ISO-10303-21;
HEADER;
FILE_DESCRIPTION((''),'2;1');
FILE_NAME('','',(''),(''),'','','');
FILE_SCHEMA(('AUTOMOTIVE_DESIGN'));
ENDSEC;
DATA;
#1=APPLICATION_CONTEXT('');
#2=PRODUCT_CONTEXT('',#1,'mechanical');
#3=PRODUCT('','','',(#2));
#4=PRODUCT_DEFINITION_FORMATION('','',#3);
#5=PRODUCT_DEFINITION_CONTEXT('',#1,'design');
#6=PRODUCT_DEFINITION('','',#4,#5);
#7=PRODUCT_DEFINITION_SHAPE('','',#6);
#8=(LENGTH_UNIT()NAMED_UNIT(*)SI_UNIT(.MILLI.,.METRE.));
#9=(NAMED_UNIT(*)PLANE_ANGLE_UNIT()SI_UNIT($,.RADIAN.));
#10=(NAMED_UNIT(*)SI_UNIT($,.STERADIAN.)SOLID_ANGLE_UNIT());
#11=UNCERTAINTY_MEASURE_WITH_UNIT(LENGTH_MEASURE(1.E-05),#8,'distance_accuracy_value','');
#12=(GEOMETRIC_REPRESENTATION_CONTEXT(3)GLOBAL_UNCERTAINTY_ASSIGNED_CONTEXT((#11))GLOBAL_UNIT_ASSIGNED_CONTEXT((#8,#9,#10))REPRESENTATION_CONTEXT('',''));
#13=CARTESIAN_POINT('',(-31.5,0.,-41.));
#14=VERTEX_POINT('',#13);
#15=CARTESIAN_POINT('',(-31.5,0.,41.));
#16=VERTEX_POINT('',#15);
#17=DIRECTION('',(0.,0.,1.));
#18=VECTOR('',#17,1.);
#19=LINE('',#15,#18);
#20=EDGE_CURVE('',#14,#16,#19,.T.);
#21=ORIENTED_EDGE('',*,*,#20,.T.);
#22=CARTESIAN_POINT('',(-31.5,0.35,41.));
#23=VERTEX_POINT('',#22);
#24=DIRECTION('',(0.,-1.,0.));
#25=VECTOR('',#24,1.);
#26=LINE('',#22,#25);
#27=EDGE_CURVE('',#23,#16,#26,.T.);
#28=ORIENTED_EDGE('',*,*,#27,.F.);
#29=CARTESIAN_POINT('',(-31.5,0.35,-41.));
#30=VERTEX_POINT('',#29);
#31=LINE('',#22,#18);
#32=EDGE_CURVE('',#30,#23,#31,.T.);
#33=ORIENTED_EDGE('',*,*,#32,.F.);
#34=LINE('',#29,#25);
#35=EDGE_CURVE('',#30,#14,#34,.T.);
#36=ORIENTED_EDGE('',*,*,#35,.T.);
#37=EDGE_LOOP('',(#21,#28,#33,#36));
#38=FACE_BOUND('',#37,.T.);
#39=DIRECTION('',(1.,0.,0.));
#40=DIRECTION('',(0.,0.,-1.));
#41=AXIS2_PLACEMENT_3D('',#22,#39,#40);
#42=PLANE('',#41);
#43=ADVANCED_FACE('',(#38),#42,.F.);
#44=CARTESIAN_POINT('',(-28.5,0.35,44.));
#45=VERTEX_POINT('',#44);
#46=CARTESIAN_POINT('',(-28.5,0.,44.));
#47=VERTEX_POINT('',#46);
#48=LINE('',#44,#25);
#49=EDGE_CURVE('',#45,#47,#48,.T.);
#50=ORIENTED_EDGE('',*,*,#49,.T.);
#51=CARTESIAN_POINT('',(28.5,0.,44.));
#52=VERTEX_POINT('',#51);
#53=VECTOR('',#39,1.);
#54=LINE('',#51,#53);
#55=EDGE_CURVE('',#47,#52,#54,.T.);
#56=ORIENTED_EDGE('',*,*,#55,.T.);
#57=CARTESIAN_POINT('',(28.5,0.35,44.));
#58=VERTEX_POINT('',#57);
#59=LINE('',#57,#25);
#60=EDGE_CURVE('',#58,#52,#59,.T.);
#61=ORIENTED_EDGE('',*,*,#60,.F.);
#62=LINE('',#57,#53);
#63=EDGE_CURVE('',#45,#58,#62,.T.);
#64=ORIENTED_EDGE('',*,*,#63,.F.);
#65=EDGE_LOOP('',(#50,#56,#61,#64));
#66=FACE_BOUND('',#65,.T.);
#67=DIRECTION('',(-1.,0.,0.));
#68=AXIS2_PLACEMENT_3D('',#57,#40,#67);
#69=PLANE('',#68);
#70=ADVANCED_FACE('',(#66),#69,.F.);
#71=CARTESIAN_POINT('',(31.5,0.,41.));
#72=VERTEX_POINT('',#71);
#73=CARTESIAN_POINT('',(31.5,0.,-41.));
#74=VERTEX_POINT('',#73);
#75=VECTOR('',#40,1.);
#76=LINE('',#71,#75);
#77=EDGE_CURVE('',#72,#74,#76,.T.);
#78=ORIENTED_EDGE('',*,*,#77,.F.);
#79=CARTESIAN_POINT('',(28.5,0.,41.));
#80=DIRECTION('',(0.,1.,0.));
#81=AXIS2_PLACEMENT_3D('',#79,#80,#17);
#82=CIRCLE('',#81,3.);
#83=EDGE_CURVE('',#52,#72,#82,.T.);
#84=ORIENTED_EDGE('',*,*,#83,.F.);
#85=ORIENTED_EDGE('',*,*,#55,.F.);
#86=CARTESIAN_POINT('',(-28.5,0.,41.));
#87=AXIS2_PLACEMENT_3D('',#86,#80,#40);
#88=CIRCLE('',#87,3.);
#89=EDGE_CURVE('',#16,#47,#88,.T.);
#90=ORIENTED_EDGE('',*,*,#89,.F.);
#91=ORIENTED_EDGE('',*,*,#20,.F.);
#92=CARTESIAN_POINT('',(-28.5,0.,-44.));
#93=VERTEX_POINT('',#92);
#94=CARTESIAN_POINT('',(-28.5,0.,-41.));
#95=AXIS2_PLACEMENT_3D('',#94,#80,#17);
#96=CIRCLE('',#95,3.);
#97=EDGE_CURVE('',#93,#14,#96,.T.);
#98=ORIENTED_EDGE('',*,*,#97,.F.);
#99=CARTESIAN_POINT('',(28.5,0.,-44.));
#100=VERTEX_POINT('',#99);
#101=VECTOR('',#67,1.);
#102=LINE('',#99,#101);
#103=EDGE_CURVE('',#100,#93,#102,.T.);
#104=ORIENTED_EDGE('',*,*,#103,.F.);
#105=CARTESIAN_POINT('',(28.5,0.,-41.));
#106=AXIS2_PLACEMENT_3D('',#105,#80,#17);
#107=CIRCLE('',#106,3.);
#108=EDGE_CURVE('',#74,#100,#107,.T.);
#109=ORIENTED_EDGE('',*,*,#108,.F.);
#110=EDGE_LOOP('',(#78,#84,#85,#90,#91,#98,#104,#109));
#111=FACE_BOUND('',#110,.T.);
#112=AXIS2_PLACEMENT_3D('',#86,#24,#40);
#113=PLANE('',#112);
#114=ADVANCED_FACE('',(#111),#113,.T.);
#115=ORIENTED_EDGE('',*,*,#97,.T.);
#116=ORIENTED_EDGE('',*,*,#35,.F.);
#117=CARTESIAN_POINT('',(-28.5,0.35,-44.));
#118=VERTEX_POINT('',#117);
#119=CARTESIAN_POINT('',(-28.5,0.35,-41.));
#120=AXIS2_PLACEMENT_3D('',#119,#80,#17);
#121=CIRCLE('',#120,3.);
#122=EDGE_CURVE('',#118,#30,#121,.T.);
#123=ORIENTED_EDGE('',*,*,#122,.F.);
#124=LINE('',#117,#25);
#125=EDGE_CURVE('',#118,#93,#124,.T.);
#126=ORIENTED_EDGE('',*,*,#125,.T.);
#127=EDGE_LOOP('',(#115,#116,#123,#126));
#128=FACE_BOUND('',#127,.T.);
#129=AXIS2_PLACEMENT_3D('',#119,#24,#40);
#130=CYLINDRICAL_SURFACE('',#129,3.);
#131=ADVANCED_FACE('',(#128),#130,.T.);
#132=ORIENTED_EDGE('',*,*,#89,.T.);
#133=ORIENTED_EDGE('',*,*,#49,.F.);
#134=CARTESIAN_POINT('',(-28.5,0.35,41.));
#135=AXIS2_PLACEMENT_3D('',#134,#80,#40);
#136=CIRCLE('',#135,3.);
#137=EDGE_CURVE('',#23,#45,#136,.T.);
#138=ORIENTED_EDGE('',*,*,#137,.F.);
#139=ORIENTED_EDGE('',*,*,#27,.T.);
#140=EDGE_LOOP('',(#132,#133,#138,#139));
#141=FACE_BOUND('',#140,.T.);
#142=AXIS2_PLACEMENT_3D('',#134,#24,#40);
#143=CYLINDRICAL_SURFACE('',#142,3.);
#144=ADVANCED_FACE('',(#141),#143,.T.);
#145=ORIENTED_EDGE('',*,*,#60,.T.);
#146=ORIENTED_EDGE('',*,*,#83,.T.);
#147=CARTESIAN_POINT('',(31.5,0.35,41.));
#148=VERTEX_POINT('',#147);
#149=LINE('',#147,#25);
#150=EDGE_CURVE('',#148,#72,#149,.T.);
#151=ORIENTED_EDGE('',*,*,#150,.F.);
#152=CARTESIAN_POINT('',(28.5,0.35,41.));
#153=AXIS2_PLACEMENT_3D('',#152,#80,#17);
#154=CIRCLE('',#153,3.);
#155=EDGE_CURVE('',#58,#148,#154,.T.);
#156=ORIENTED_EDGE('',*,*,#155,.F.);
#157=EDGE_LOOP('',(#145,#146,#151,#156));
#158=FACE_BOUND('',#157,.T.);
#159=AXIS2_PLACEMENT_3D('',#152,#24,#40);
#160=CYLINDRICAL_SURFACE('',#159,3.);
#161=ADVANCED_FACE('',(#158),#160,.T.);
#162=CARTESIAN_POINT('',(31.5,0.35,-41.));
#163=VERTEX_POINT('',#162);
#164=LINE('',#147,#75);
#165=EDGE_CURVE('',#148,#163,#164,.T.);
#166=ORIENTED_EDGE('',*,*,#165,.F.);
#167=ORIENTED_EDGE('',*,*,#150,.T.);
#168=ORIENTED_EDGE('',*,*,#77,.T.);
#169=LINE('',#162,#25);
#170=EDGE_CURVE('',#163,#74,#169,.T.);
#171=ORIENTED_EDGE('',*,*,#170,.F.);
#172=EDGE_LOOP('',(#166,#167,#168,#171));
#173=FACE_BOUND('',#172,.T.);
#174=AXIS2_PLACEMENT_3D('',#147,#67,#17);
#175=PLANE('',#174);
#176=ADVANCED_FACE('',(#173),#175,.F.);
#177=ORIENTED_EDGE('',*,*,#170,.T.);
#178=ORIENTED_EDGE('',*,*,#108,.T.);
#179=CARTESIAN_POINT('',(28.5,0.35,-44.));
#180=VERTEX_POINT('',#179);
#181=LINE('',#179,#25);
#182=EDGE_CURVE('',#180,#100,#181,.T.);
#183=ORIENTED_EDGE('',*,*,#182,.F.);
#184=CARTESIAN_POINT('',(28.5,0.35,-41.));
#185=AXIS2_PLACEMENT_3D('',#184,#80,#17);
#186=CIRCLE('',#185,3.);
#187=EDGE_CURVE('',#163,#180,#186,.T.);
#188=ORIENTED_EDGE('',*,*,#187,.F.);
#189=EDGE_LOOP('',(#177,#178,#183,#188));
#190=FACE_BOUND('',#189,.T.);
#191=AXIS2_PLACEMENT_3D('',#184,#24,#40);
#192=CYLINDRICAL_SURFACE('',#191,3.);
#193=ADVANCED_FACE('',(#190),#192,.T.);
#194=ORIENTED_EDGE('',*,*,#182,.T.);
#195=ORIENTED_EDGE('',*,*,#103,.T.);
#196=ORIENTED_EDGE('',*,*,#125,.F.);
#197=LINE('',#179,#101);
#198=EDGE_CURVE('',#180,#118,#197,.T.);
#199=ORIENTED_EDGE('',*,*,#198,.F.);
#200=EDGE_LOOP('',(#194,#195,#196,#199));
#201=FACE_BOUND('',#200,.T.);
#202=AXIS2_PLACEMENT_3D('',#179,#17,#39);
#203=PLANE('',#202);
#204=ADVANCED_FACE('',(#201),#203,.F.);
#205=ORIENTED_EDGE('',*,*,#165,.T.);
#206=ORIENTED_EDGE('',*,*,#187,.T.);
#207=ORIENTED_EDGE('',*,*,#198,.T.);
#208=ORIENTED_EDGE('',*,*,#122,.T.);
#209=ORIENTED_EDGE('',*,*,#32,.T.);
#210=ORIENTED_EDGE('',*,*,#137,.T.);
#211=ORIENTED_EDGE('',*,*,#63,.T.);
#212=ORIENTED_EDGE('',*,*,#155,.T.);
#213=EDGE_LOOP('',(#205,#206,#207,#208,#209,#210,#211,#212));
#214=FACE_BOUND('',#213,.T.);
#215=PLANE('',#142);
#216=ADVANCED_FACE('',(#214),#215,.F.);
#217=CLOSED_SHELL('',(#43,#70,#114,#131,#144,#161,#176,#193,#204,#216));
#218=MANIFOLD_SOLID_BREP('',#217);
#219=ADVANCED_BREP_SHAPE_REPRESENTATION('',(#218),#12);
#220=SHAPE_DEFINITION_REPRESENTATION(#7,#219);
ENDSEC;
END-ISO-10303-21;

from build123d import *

# Parameters (mm, degrees)
BOSS_EXTRUDE1_DEPTH = 0.35


with BuildPart() as part:
    # Sketch1 → Boss-Extrude1 (new body)
    with BuildSketch(Plane(origin=(0, 0, 0), x_dir=(1, 0, 0), z_dir=(0, 1, 0))):
        with BuildLine():
            Line((28.5, -44), (-28.5, -44))
            ThreePointArc((-28.5, -44), (-30.621320344, -43.121320344), (-31.5, -41))
            Line((-31.5, -41), (-31.5, 41))
            ThreePointArc((-31.5, 41), (-30.621320344, 43.121320344), (-28.5, 44))
            Line((-28.5, 44), (28.5, 44))
            ThreePointArc((28.5, 44), (30.621320344, 43.121320344), (31.5, 41))
            Line((31.5, 41), (31.5, -41))
            ThreePointArc((31.5, -41), (30.621320344, -43.121320344), (28.5, -44))
        make_face()
    extrude(amount=BOSS_EXTRUDE1_DEPTH)


solid = part.part
